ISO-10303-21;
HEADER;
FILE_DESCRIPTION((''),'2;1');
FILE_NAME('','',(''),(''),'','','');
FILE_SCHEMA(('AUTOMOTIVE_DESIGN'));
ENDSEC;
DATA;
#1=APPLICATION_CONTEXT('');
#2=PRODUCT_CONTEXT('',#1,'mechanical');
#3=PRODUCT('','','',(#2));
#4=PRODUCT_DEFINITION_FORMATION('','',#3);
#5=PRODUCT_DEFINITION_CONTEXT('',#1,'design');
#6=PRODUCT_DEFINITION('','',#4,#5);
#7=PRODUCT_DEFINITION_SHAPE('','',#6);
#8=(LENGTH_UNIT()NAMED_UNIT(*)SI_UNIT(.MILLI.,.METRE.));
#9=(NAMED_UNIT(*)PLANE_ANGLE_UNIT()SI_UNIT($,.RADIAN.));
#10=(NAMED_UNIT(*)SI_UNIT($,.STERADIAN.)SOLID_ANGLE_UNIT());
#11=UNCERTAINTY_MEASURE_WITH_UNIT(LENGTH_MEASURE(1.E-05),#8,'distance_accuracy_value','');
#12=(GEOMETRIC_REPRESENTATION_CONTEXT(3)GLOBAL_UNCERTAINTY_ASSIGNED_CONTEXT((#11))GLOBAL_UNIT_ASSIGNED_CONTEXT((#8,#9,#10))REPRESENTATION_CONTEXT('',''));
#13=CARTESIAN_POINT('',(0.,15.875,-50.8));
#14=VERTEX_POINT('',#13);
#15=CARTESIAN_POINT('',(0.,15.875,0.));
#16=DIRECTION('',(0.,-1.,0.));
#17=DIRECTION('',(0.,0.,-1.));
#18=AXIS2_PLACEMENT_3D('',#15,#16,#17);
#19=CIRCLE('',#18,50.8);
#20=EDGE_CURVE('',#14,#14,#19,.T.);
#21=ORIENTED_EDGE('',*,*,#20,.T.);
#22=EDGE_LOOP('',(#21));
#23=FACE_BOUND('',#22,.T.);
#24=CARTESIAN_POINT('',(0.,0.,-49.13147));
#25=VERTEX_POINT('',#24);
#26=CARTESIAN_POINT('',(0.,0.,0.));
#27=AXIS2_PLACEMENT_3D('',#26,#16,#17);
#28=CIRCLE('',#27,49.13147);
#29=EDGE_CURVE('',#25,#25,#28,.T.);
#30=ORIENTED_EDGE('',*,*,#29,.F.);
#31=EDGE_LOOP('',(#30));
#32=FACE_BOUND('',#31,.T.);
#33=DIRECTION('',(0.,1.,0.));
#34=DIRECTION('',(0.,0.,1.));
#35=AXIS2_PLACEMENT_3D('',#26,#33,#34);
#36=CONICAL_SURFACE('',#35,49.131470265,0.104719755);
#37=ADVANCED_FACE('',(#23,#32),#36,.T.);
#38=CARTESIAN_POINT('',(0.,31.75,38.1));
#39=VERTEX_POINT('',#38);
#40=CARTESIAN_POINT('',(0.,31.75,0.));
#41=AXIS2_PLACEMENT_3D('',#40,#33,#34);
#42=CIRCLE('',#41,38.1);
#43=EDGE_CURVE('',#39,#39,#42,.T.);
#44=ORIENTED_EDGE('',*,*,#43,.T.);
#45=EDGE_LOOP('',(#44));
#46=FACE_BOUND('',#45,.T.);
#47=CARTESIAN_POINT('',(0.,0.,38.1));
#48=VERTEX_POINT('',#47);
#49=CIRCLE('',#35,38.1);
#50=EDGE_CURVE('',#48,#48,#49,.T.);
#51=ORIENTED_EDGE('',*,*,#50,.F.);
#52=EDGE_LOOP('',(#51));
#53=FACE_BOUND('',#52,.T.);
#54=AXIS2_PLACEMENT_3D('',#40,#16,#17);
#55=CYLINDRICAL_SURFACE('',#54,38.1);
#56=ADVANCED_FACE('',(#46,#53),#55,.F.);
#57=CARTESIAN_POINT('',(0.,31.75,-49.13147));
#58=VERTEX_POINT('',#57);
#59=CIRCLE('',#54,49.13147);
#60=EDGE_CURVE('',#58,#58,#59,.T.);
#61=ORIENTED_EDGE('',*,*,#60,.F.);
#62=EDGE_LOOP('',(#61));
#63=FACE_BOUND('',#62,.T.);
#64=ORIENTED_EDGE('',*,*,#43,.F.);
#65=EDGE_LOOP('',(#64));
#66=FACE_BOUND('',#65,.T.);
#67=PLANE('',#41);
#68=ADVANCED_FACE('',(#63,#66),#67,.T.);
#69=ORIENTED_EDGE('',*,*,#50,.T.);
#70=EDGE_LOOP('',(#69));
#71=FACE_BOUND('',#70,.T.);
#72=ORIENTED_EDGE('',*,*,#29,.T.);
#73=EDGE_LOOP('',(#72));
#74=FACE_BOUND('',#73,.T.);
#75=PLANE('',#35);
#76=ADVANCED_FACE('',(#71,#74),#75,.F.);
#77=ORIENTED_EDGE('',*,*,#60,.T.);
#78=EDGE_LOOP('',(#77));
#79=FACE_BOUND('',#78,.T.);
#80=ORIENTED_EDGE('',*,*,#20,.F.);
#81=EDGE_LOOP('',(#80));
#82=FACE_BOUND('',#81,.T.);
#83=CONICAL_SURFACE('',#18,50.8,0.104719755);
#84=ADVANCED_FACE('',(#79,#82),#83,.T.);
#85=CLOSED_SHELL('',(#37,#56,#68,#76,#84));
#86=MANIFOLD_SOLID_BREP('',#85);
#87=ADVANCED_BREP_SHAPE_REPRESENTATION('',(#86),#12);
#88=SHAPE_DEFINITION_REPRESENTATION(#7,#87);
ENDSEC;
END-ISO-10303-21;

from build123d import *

# Parameters (mm, degrees)
CROQUIS1_R              = 50.8
CROQUIS1_R_2            = 38.1
SALIENTE_EXTRUIR1_DEPTH = 31.75


with BuildPart() as part:
    # Croquis1 → Saliente-Extruir1 (new body)
    with BuildSketch(Plane(origin=(0, 0, 0), x_dir=(1, 0, 0), z_dir=(0, 1, 0))):
        with Locations(Location((0, 0, 0), (0, 0, 270))):
            Circle(CROQUIS1_R)
        with Locations(Location((0, 0, 0), (0, 0, 270))):
            Circle(CROQUIS1_R_2, mode=Mode.SUBTRACT)
    extrude(amount=SALIENTE_EXTRUIR1_DEPTH)

    # Croquis3 → Cortar-Revolución1 (revolve, cut)
    with BuildSketch(Plane(origin=(0, 0, 0), x_dir=(0, 0, -1), z_dir=(1, 0, 0)), mode=Mode.PRIVATE) as cortar_revoluci_n1_sk:
        Polygon((-50.8, 15.875), (-49.131470265, 31.75), (-69.131470265, 31.75), (-69.131470265, 0), (-49.131470265, 0), align=None)
    revolve(cortar_revoluci_n1_sk.sketch.rotate(Axis((0, 0, 0), (0, 1, 0)), 180), axis=Axis((0, 0, 0), (0, 1, 0)), mode=Mode.SUBTRACT)


solid = part.part
